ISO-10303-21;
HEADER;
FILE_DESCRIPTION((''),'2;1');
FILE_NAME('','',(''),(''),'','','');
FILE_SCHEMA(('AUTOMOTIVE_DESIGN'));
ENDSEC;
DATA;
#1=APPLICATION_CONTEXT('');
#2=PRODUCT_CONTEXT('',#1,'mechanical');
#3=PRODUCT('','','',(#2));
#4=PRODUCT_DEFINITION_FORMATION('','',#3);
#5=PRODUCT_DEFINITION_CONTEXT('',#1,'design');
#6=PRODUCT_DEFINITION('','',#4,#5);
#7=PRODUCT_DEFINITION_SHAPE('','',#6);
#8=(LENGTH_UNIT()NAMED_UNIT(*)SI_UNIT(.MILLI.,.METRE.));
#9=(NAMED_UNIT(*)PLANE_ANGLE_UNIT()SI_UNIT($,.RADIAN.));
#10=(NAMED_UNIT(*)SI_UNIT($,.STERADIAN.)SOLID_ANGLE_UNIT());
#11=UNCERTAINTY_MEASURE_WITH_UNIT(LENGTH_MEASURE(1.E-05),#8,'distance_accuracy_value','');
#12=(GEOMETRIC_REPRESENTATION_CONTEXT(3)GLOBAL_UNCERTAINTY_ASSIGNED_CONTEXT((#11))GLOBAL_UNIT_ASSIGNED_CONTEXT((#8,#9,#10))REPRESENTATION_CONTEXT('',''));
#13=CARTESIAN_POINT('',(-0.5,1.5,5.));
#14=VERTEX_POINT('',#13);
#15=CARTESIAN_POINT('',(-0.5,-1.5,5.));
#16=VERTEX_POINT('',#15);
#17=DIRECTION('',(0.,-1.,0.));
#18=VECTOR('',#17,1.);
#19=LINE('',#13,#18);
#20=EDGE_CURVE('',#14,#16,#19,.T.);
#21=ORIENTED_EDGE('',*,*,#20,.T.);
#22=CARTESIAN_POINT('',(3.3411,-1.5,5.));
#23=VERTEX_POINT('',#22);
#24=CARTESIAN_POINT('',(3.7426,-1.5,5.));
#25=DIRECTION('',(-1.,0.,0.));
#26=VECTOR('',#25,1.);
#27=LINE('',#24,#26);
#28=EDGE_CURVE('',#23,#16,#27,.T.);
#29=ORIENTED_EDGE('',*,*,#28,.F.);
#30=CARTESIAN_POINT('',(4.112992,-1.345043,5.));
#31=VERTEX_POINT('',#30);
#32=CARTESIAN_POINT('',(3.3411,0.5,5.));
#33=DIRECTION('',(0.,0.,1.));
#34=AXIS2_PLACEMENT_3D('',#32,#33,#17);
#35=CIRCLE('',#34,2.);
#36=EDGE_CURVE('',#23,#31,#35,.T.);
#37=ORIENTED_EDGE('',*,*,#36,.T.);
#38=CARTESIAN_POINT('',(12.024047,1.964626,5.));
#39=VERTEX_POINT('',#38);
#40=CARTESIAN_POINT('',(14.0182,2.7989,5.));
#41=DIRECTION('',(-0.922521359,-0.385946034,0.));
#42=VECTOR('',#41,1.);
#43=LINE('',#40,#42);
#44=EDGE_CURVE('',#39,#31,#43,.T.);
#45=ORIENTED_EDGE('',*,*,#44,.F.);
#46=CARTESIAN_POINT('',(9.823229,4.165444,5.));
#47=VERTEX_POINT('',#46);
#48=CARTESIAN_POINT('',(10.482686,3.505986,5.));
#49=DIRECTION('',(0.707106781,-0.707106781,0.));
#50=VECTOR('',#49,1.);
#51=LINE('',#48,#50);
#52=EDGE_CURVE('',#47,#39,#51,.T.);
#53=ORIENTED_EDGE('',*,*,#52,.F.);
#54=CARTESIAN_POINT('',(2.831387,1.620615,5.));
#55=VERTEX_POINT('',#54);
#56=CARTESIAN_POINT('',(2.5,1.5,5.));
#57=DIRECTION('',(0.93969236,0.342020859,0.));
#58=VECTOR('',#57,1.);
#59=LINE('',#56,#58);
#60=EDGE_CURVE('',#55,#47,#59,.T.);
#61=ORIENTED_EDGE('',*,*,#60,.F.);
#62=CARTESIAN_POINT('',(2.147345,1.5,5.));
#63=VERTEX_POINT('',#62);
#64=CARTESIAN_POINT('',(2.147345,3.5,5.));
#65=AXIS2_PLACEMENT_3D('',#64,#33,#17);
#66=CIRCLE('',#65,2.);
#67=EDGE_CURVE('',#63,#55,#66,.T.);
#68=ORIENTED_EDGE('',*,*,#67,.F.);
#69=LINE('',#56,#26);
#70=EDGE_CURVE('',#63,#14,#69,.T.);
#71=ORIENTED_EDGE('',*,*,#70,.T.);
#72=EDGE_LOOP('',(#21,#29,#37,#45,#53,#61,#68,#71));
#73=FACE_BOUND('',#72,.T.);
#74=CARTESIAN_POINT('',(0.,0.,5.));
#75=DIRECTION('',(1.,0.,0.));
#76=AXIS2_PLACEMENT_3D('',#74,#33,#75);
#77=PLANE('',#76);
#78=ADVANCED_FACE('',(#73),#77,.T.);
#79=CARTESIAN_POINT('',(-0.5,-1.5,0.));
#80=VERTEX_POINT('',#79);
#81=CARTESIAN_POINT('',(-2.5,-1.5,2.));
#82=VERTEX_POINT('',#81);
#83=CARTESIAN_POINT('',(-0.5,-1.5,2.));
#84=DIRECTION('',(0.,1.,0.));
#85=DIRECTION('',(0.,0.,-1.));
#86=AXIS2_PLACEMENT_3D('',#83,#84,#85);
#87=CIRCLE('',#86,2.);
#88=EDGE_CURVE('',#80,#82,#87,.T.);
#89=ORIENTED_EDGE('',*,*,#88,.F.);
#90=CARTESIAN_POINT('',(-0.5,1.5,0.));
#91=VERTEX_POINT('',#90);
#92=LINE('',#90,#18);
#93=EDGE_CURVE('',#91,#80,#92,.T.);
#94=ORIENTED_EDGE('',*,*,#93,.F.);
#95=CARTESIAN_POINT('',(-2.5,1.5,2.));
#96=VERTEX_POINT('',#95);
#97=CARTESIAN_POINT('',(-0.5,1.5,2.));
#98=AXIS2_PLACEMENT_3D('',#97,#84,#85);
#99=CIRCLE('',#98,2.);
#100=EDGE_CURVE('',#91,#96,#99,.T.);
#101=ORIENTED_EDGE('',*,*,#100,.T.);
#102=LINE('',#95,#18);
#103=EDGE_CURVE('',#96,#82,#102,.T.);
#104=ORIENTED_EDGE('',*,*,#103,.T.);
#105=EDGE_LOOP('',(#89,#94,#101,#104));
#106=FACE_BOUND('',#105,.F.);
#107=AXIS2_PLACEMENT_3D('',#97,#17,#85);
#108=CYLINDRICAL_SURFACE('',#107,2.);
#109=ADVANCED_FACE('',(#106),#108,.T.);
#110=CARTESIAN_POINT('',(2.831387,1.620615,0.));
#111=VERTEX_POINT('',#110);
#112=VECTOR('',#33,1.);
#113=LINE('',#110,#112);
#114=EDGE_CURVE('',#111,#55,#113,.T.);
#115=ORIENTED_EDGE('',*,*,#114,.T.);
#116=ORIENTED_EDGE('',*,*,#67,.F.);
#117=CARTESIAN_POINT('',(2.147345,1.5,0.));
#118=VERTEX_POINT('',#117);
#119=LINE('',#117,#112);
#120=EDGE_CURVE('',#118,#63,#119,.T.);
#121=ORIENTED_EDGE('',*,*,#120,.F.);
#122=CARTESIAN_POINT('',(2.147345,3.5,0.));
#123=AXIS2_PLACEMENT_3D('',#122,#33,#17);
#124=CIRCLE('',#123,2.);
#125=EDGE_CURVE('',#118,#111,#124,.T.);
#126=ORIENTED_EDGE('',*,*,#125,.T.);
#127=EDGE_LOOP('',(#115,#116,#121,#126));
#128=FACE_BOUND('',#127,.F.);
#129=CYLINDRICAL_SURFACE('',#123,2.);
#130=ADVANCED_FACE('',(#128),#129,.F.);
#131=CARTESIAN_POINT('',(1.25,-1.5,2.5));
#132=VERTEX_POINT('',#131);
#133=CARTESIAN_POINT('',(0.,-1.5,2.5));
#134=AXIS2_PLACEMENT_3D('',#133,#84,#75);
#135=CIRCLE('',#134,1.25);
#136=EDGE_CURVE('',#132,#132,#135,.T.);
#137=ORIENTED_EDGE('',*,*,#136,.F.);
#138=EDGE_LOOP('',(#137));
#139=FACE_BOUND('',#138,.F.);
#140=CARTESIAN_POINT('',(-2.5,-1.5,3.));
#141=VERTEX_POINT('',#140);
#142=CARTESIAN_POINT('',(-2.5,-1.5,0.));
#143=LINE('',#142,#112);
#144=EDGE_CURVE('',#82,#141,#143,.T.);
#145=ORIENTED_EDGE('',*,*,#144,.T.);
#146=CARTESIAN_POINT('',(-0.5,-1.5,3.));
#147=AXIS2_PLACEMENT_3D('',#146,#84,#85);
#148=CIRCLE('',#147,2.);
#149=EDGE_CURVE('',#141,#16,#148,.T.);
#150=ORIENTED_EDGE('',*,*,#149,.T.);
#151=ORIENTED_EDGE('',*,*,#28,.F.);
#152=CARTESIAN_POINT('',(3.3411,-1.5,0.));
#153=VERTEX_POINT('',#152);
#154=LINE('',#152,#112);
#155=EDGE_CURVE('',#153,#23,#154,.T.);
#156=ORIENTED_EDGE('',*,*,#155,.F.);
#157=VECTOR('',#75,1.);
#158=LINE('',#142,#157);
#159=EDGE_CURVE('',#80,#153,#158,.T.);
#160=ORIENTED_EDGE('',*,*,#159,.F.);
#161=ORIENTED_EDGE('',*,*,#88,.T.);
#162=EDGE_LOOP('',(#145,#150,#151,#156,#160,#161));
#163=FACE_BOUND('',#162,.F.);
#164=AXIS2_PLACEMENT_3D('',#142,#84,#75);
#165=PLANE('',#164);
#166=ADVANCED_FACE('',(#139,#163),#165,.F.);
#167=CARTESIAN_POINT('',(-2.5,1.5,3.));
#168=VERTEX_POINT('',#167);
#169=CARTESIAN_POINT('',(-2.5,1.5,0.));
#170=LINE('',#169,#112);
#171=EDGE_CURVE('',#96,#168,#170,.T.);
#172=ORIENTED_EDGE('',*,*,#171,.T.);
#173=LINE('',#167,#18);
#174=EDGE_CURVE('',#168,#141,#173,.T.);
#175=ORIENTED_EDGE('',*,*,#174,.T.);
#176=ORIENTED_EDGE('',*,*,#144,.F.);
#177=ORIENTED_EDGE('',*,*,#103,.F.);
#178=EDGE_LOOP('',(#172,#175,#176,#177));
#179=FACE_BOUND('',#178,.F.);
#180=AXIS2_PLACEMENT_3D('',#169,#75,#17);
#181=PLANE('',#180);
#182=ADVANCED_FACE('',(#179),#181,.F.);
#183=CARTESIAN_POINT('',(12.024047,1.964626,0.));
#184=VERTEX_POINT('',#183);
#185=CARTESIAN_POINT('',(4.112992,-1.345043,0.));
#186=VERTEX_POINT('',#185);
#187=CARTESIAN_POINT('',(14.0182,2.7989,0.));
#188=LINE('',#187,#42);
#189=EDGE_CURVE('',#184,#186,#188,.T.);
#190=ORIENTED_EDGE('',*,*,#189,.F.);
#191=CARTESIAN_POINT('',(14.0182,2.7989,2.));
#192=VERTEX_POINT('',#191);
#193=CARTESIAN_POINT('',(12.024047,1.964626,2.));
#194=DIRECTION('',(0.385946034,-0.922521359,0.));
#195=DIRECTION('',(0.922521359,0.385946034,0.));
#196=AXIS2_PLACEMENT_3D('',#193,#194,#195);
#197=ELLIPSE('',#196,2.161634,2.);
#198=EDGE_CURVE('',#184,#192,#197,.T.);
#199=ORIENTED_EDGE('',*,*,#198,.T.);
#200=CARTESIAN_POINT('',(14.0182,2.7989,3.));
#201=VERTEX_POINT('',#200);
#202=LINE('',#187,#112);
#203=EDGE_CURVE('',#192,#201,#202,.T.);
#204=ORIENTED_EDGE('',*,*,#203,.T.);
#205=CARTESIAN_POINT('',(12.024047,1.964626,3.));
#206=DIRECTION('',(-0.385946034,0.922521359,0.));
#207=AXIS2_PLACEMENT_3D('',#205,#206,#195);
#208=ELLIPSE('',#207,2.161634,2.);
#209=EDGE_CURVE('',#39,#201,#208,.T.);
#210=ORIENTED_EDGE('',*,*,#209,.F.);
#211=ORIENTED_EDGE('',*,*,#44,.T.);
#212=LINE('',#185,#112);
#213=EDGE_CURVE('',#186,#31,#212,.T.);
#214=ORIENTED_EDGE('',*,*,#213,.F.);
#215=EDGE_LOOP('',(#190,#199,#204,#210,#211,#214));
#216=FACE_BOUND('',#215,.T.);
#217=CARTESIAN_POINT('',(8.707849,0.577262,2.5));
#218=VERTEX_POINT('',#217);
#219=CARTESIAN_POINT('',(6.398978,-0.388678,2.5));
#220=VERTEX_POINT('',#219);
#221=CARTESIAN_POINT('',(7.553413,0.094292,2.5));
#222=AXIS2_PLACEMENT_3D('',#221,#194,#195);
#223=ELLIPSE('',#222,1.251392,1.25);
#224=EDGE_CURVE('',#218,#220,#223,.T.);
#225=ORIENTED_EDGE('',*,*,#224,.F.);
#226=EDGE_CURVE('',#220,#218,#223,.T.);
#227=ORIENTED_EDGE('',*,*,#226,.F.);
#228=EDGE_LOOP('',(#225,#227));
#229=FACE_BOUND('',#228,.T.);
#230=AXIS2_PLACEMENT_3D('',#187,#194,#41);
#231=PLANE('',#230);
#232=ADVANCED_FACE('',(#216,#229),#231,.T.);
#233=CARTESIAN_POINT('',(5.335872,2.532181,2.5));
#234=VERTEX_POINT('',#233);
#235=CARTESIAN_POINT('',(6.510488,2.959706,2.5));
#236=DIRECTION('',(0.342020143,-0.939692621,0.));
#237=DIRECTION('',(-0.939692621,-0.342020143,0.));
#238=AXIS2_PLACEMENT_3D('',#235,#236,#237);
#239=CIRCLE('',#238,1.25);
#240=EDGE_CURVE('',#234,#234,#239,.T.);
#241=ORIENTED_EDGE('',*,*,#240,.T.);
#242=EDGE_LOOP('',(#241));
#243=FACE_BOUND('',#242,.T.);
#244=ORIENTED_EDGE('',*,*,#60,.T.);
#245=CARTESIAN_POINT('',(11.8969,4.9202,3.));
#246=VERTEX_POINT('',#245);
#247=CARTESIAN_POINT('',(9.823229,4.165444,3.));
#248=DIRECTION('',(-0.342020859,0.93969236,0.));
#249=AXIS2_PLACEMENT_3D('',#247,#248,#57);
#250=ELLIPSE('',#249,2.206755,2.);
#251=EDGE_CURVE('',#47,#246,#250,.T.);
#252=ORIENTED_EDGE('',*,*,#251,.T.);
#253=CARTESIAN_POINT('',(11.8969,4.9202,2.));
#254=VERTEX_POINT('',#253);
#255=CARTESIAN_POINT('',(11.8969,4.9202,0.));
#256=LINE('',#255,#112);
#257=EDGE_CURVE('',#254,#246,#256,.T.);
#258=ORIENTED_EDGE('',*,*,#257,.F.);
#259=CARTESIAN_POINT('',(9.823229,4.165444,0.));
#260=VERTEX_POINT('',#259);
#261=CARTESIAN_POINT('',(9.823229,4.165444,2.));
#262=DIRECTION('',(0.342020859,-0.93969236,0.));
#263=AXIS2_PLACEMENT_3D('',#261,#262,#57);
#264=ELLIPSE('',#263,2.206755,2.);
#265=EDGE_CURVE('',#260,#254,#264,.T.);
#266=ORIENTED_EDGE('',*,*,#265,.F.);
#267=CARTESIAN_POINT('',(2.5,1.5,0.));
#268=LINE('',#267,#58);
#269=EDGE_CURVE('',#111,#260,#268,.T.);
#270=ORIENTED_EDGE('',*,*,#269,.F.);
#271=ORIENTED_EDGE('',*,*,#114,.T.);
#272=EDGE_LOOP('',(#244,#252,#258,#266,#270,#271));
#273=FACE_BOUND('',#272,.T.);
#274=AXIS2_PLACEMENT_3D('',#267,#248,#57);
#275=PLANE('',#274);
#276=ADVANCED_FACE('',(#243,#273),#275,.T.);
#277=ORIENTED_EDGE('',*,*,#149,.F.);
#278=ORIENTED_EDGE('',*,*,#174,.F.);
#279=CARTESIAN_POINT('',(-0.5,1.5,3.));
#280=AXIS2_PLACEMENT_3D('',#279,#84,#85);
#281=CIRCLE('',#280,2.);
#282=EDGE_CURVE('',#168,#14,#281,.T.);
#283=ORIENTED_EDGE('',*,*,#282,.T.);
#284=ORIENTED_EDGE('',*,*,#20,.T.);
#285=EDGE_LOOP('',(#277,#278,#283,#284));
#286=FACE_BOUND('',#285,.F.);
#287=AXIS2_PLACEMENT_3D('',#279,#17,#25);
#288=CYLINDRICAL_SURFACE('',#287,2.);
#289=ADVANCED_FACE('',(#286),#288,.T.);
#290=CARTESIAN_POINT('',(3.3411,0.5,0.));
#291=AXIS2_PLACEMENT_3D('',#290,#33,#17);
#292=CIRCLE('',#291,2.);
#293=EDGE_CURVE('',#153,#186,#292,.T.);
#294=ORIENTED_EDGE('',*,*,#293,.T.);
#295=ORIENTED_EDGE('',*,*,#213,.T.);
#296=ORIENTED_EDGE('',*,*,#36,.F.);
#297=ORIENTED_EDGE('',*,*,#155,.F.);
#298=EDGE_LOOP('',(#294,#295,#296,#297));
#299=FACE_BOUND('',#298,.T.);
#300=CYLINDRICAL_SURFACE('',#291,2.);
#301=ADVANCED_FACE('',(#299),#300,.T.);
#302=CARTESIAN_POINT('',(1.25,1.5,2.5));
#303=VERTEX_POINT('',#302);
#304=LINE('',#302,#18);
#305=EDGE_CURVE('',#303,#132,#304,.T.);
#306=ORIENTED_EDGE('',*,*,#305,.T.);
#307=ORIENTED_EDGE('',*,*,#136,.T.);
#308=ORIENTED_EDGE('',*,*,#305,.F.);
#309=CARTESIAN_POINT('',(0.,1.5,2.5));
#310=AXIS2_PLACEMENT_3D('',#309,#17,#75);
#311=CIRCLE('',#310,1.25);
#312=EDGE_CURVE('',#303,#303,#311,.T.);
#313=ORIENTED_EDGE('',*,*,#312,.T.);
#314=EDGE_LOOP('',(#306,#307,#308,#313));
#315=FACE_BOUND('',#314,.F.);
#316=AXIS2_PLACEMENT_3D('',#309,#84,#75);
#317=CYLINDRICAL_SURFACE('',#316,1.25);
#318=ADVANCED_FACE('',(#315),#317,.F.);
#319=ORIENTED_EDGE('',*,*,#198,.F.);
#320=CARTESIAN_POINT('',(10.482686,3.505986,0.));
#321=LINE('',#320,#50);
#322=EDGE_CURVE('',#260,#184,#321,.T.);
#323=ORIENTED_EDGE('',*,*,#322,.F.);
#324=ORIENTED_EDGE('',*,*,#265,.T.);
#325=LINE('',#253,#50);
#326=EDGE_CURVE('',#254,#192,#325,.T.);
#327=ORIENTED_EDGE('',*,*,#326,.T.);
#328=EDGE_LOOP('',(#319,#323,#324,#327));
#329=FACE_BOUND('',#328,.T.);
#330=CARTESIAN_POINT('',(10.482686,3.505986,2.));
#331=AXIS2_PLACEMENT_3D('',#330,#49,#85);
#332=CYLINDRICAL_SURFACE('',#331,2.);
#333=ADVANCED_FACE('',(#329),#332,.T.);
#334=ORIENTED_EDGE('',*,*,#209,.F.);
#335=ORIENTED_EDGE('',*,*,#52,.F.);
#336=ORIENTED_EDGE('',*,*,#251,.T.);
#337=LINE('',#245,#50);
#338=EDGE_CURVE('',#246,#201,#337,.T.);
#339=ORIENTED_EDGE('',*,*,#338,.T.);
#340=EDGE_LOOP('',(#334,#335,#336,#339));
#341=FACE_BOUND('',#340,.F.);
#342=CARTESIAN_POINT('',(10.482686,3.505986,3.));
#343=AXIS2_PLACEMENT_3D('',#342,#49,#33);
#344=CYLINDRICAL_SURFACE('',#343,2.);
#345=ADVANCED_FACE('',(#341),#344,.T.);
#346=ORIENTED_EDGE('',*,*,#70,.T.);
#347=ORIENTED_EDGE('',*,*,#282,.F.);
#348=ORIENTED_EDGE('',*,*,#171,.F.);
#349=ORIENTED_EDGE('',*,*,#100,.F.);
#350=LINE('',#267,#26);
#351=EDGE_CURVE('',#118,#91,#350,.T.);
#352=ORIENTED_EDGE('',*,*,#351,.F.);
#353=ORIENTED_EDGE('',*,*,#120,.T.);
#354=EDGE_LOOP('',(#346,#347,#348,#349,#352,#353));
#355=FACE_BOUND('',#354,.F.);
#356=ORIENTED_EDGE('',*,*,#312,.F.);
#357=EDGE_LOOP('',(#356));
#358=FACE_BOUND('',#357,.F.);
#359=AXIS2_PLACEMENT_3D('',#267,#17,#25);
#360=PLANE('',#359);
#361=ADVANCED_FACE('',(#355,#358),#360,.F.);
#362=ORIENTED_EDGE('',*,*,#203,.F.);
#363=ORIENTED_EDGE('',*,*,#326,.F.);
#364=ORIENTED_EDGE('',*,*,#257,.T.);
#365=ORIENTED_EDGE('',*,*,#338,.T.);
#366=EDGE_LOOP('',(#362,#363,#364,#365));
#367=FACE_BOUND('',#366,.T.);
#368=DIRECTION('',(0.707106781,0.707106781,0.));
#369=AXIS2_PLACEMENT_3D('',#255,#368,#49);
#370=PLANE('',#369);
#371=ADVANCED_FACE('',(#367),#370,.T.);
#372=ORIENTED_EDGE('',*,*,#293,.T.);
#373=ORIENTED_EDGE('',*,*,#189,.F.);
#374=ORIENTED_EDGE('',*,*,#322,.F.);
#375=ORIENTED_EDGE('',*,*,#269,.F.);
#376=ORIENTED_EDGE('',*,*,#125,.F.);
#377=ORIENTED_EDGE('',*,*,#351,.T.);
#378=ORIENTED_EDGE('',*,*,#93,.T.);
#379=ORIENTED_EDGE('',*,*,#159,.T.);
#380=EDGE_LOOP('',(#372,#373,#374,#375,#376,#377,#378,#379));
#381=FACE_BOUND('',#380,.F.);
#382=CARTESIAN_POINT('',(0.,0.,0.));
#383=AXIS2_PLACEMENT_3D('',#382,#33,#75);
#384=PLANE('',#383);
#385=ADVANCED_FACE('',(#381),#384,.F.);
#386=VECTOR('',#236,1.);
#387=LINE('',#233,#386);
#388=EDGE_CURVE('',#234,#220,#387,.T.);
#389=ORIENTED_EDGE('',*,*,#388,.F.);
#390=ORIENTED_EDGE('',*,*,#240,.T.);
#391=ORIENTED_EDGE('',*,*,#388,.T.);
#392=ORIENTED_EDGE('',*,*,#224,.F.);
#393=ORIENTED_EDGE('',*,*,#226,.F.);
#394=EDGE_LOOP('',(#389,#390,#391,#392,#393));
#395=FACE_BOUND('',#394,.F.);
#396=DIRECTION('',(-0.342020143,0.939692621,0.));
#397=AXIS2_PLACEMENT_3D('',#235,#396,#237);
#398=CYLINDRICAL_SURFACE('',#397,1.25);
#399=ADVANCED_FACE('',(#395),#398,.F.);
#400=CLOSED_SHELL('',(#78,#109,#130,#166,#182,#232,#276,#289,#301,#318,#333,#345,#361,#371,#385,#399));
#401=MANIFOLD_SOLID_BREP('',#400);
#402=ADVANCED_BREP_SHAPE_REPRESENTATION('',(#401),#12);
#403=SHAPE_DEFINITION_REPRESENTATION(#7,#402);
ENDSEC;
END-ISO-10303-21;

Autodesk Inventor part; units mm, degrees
ref_plane "YZ Plane" through (0, 0, 0) normal (1, 0, 0) x (0, 1, 0)
ref_plane "XZ Plane" through (0, 0, 0) normal (0, 1, 0) x (-1, 0, 0)
ref_plane "XY Plane" through (0, 0, 0) normal (0, 0, 1) x (1, 0, 0)
sketch "Sketch1" plane through (0, 0, 0) normal (0, 0, 1) x (1, 0, 0)
  line L0 (-2.5, -1.5) -> (2.5, -1.5)
  line L1 (2.5, -1.5) -> (2.5, 1.5)
  line L2 (2.5, 1.5) -> (-2.5, 1.5)
  line L3 (-2.5, 1.5) -> (-2.5, -1.5)
  line L4 (-2.5, -1.5) -> (2.5, 1.5) construction
  line L5 (2.5, -1.5) -> (-2.5, 1.5) construction
  line L6 (2.5, 1.5) -> (11.8969, 4.9202)
  line L7 (2.5, 1.5) -> (12.5, 1.5) construction
  line L8 (11.8969, 4.9202) -> (14.0182, 2.7989)
  line L9 (14.0182, 2.7989) -> (3.7426, -1.5)
  line L10 (3.7426, -1.5) -> (2.5, -1.5)
  point P0 (0, 0)
  dimension "d0" = 5
  dimension "d1" = 3
  dimension "d2" = 10
  dimension "d3" = 20
  dimension "d4" = 3
extrude "Extrusion1" add sketch "Sketch1" along normal blind 5
sketch "Sketch2" plane through (-2.5, 1.5, 0) normal (0, 1, 0) x (1, 0, 0)
  line L0 (2.5, 0) -> (2.5, -5)
  line L1 (0, -5) -> (6.2426, -5) projected
  circle A0 centre (2.5, -2.5) radius 1.25
  dimension "d7" = 2.5
extrude "Extrusion2" cut sketch "Sketch2" against normal blind 5
fillet "Fillet1" radius 2 2 edges at (2.5, 1.5, 2.5) (3.7426, -1.5, 2.5)
sketch "Sketch3" plane through (11.8969, 4.9202, 0) normal (-0.342, 0.9397, 0) x (-0.9397, -0.342, 0)
  line L0 (-1.2679, 0) -> (-1.2679, 5) projected
  line L1 (-1.2679, 2.5) -> (5.7321, 2.5)
  circle A0 centre (5.7321, 2.5) radius 1.25
  point P0 (12.8623, 0)
  dimension "d11" = 7
  dimension "d12" = 2.5
extrude "Extrusion3" cut sketch "Sketch3" against normal up to next
fillet "Fillet2" radius 2 4 edges at (12.9576, 3.8595, 5) (12.9576, 3.8595, 0) (-2.5, 0, 5) (-2.5, 0, 0)
properties part number "rpi_mount"
